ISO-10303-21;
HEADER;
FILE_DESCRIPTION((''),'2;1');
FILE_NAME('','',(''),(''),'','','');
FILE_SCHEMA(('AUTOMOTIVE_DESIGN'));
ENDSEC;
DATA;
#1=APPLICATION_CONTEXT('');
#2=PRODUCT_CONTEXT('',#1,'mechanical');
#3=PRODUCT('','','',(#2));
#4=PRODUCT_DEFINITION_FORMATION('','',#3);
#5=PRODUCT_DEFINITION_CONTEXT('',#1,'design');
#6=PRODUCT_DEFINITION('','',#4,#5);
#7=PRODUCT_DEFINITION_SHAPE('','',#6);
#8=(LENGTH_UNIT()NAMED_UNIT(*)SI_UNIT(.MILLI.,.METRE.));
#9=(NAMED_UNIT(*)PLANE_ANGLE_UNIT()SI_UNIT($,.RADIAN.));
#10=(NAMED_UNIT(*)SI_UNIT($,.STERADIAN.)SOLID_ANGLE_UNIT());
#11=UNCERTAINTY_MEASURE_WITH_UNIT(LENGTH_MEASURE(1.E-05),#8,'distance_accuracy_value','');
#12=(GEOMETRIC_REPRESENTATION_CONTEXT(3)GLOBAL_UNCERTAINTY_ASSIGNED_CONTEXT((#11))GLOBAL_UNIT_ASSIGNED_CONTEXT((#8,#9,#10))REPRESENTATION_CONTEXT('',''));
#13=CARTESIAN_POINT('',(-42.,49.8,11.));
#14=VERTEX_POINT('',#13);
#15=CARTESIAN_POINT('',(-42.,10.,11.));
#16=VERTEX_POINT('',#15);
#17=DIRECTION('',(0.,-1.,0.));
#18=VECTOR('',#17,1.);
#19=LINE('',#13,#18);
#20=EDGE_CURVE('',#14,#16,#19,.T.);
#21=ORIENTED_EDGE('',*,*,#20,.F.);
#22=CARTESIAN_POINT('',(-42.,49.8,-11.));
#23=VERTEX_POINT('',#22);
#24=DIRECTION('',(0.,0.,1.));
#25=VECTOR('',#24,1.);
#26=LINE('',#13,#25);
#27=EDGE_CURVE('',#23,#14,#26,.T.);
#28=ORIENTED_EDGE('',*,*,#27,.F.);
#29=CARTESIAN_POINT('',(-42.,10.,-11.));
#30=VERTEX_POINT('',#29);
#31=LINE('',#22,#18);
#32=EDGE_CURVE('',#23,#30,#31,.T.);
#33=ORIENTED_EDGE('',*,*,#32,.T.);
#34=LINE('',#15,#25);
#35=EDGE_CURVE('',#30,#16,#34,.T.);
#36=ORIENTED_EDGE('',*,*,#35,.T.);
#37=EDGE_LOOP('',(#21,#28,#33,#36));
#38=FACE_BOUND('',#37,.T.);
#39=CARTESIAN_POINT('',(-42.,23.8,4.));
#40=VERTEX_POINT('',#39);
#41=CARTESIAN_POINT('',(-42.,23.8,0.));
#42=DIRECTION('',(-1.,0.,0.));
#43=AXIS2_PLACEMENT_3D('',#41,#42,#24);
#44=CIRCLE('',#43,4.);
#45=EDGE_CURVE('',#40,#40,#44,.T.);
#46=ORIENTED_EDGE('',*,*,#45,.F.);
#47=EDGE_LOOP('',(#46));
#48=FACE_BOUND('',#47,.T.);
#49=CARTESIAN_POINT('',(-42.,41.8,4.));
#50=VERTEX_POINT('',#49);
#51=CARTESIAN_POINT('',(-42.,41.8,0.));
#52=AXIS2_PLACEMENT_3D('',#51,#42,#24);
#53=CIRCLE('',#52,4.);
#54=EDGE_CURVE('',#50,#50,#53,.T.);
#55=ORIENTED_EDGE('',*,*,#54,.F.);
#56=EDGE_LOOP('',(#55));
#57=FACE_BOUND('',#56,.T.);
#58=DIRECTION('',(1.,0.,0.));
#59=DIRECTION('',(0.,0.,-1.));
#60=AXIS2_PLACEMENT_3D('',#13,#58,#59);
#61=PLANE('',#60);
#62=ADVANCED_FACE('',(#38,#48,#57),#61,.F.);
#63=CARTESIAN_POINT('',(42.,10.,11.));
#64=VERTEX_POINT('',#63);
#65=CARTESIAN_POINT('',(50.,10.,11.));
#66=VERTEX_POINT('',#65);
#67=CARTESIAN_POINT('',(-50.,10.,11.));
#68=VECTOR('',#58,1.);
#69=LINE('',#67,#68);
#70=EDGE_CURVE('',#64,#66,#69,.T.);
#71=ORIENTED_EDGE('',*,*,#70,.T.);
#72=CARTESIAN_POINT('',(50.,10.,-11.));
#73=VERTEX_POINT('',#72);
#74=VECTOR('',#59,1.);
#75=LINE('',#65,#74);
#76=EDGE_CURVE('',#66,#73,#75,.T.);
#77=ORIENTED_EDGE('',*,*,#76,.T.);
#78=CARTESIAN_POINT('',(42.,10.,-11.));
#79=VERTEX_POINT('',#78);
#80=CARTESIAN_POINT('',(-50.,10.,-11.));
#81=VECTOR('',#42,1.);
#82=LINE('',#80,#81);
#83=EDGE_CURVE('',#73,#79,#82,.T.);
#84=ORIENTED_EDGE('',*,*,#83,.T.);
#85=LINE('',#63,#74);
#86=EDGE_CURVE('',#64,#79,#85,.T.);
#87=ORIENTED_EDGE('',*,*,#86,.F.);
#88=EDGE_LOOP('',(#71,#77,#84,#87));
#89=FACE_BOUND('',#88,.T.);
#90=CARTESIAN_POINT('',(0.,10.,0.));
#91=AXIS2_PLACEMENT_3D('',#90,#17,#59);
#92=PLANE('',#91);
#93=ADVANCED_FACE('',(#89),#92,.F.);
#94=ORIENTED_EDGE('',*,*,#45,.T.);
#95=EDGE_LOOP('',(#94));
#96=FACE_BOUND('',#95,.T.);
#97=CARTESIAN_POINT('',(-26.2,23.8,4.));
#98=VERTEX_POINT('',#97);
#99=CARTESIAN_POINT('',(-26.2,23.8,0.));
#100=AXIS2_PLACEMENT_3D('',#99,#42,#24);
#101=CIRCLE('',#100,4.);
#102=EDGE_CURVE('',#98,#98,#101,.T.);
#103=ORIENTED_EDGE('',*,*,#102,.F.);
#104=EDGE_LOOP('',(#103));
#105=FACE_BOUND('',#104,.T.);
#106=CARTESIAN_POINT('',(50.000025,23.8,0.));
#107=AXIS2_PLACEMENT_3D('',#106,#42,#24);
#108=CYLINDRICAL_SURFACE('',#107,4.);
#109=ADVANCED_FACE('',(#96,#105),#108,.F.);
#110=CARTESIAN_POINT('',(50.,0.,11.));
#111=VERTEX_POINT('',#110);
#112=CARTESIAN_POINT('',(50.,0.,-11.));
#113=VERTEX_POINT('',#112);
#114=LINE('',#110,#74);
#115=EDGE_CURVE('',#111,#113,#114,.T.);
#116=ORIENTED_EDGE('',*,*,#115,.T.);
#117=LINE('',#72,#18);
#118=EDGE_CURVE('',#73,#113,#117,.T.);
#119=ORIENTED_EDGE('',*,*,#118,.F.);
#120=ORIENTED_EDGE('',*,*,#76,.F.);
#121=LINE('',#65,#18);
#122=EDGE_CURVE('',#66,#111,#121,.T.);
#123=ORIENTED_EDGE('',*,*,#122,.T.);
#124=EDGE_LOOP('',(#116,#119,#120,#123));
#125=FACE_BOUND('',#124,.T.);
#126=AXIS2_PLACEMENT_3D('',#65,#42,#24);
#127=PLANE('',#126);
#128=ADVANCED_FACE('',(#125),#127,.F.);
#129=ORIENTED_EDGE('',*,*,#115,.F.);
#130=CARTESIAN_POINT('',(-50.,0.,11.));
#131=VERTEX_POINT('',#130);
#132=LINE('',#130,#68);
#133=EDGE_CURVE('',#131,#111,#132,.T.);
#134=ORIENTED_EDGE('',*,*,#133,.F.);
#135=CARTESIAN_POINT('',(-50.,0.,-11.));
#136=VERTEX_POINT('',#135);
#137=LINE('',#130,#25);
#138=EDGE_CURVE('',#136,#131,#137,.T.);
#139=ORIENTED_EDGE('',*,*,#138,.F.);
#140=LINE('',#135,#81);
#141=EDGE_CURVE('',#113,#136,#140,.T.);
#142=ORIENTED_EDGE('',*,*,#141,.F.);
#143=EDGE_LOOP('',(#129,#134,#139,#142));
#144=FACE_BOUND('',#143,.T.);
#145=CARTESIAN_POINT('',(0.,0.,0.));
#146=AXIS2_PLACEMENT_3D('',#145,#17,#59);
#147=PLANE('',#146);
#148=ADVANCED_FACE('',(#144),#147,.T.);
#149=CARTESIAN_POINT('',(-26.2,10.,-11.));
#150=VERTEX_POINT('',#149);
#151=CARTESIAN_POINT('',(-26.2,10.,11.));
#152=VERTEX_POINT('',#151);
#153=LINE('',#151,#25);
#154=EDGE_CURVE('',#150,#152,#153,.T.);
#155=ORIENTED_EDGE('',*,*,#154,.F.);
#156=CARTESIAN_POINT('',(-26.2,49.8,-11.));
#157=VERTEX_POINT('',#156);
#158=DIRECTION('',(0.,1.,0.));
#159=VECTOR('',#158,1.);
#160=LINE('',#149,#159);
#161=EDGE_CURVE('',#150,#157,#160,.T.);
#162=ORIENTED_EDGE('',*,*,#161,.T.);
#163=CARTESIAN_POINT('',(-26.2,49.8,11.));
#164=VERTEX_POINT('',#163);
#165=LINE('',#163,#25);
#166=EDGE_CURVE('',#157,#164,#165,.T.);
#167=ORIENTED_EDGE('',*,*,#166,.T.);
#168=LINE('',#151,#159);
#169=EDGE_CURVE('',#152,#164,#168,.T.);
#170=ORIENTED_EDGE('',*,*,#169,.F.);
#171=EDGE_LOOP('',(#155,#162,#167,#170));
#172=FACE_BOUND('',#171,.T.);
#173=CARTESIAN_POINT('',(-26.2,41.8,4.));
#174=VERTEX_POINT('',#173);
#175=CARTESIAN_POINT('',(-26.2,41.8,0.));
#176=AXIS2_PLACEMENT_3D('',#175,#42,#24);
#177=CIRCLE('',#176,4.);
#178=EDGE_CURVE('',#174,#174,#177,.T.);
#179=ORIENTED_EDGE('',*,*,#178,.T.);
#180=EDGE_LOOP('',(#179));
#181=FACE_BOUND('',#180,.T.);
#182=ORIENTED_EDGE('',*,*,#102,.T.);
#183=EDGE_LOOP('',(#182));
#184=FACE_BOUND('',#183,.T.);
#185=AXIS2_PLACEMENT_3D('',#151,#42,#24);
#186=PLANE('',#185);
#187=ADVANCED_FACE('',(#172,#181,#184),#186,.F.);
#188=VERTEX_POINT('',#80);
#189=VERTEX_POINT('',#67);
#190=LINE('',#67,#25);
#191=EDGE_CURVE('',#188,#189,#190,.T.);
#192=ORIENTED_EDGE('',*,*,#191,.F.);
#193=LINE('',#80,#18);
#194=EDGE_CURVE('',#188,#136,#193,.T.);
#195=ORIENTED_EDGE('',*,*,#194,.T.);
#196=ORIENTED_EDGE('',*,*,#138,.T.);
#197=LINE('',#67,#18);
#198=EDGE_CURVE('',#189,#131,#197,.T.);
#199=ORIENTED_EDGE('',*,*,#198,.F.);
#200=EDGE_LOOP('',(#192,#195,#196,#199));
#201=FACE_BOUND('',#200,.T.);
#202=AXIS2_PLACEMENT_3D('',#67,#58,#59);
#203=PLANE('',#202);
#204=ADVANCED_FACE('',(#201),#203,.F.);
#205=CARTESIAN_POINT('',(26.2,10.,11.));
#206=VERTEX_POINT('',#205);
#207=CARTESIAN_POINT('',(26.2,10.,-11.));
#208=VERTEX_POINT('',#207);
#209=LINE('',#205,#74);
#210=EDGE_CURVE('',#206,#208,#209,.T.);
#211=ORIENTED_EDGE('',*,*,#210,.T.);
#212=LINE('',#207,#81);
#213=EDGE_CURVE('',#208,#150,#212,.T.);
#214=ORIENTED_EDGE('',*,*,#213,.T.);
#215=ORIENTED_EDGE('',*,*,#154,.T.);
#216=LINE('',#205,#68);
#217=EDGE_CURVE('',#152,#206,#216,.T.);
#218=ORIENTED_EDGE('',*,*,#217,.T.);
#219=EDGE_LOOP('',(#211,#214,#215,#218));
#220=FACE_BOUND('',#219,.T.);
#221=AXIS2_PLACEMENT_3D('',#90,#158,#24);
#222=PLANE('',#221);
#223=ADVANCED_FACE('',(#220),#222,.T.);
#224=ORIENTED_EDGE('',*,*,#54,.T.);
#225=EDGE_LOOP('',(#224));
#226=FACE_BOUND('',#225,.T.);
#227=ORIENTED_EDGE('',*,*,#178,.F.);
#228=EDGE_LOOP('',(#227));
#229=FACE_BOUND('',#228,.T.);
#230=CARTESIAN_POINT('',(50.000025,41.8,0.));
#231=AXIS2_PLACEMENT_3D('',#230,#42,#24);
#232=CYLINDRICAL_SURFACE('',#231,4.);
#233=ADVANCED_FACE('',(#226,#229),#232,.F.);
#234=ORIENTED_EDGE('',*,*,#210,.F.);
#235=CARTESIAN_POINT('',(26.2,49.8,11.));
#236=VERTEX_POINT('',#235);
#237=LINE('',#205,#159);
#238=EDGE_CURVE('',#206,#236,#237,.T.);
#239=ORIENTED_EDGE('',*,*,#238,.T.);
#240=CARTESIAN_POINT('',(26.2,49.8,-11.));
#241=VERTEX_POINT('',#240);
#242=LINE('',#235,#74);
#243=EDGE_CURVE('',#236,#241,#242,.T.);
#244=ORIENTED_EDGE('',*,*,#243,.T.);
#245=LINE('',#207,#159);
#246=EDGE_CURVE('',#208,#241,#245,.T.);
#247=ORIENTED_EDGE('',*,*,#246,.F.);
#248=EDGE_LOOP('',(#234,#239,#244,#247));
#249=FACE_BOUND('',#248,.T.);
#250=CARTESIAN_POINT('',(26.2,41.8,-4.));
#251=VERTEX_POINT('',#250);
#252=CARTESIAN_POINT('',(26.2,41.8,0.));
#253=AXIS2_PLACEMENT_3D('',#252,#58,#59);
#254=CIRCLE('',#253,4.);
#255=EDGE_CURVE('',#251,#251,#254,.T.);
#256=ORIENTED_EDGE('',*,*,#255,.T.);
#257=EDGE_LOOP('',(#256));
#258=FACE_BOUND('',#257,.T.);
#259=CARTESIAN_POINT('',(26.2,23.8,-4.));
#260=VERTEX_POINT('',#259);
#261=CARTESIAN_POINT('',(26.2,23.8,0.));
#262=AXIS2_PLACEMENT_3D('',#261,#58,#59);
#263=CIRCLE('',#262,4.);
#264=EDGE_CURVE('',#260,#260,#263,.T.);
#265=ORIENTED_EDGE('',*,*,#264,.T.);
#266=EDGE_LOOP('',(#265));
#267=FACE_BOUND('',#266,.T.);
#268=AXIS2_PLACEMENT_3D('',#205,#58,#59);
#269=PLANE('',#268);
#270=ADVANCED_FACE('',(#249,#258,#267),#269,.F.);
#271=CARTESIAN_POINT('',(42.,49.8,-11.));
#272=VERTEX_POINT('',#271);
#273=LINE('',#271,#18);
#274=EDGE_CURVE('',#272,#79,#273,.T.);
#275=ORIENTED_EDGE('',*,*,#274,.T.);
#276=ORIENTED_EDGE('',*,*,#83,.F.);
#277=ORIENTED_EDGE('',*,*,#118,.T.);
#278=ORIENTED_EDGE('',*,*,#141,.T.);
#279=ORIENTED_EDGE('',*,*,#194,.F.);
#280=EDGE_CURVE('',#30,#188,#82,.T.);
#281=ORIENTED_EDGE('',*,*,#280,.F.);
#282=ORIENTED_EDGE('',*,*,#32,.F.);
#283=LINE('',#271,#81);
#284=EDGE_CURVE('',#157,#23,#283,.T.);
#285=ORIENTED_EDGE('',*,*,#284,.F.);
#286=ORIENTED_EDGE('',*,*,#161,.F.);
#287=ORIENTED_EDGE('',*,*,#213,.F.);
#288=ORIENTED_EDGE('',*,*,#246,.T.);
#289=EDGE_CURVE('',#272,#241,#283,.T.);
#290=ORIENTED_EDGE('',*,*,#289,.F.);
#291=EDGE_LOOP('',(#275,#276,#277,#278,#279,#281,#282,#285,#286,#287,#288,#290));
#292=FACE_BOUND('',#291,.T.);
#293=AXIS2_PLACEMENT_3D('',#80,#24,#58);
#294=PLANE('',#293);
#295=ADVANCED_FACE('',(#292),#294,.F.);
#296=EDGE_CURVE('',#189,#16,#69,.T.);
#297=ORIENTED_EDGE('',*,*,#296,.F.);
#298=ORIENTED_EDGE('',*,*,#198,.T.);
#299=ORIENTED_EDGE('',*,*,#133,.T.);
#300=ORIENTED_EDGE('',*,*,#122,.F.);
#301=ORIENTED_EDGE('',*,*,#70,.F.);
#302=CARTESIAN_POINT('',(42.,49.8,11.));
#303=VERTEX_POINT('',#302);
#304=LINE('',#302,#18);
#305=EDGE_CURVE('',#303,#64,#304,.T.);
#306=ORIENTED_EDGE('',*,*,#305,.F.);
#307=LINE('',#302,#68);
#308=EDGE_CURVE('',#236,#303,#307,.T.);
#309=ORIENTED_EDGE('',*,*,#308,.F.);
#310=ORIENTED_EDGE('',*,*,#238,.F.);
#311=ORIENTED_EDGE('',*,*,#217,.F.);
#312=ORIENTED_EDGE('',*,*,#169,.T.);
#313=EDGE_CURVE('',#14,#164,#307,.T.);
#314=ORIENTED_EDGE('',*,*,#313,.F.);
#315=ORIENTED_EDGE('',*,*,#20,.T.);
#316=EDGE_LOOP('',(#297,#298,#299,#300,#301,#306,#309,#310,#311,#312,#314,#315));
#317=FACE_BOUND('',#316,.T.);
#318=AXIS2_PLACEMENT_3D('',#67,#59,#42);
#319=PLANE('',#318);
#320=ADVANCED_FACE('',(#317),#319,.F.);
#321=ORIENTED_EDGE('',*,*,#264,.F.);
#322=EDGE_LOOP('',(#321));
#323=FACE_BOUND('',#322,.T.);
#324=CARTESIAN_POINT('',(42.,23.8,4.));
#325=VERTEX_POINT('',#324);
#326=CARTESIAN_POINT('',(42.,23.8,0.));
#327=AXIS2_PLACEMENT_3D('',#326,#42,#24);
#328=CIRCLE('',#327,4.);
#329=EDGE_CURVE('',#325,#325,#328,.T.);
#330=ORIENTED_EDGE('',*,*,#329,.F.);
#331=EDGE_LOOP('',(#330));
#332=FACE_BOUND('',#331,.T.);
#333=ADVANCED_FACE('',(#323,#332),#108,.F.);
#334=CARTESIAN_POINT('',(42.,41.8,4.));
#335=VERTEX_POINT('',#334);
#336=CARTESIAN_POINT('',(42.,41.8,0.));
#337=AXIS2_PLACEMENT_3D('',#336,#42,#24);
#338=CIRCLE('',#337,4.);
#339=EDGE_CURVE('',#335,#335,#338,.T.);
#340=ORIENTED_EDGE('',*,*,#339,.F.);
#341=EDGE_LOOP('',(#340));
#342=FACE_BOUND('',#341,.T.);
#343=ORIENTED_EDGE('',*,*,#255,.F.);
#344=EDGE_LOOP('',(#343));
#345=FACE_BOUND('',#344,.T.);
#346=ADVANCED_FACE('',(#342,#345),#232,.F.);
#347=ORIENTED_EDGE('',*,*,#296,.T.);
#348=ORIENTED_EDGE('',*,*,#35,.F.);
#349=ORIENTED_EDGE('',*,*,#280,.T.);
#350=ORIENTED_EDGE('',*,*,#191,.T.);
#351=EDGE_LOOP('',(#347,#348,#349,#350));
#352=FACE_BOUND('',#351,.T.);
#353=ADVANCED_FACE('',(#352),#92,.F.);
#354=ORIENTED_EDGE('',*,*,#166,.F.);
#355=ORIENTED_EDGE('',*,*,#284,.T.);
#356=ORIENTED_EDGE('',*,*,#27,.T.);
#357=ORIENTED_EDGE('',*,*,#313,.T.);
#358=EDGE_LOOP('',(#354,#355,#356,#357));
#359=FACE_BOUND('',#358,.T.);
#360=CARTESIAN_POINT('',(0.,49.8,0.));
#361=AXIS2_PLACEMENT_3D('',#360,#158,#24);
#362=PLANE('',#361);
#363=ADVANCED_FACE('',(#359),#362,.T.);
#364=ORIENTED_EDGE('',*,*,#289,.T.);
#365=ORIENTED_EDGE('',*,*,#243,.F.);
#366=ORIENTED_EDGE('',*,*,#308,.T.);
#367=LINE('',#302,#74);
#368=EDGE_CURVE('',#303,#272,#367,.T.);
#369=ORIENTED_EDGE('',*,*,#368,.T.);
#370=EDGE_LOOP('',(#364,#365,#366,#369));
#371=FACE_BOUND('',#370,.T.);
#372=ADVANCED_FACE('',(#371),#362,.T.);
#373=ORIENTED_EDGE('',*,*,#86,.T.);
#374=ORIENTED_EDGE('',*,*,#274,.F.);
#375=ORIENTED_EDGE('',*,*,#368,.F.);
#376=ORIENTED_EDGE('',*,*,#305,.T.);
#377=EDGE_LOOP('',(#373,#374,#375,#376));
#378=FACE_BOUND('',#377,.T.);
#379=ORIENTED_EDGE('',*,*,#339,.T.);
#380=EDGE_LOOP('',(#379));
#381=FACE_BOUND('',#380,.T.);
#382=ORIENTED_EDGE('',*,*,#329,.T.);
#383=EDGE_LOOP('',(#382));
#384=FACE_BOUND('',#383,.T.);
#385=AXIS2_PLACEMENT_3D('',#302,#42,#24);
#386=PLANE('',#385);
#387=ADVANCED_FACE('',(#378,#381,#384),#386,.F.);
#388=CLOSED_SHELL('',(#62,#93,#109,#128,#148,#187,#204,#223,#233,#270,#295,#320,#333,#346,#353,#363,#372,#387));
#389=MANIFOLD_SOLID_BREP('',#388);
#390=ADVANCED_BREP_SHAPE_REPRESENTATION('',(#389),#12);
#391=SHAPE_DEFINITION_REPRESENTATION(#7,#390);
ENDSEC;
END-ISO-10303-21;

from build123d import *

# Parameters (mm, degrees)
SKETCH1_W           = 100
SKETCH1_H           = 22
BOSS_EXTRUDE1_DEPTH = 10
SKETCH2_W           = 84
SKETCH2_H           = 22
BOSS_EXTRUDE2_DEPTH = 39.8
SKETCH3_W           = 52.4
SKETCH3_H           = 22
CUT_EXTRUDE1_DEPTH  = 39.8
SKETCH4_R           = 4
CUT_EXTRUDE2_DEPTH  = 93


with BuildPart() as part:
    # Sketch1 → Boss-Extrude1 (new body)
    with BuildSketch(Plane(origin=(0, 0, 0), x_dir=(1, 0, 0), z_dir=(0, 1, 0))):
        Rectangle(SKETCH1_W, SKETCH1_H)
    extrude(amount=BOSS_EXTRUDE1_DEPTH)

    # Sketch2 → Boss-Extrude2 (add)
    with BuildSketch(Plane(origin=(0, 10, 0), x_dir=(1, 0, 0), z_dir=(0, 1, 0))):
        Rectangle(SKETCH2_W, SKETCH2_H)
    extrude(amount=BOSS_EXTRUDE2_DEPTH)

    # Sketch3 → Cut-Extrude1 (cut)
    with BuildSketch(Plane(origin=(0, 49.8, 0), x_dir=(1, 0, 0), z_dir=(0, 1, 0))):
        Rectangle(SKETCH3_W, SKETCH3_H)
    extrude(amount=-CUT_EXTRUDE1_DEPTH, mode=Mode.SUBTRACT)

    # Sketch4 → Cut-Extrude2 (cut, through all)
    with BuildSketch(Plane.ZY.offset(42)):
        with Locations((0, 41.8)):
            Circle(SKETCH4_R)
        with Locations((0, 23.8)):
            Circle(SKETCH4_R)
    extrude(amount=-CUT_EXTRUDE2_DEPTH, mode=Mode.SUBTRACT)


solid = part.part
